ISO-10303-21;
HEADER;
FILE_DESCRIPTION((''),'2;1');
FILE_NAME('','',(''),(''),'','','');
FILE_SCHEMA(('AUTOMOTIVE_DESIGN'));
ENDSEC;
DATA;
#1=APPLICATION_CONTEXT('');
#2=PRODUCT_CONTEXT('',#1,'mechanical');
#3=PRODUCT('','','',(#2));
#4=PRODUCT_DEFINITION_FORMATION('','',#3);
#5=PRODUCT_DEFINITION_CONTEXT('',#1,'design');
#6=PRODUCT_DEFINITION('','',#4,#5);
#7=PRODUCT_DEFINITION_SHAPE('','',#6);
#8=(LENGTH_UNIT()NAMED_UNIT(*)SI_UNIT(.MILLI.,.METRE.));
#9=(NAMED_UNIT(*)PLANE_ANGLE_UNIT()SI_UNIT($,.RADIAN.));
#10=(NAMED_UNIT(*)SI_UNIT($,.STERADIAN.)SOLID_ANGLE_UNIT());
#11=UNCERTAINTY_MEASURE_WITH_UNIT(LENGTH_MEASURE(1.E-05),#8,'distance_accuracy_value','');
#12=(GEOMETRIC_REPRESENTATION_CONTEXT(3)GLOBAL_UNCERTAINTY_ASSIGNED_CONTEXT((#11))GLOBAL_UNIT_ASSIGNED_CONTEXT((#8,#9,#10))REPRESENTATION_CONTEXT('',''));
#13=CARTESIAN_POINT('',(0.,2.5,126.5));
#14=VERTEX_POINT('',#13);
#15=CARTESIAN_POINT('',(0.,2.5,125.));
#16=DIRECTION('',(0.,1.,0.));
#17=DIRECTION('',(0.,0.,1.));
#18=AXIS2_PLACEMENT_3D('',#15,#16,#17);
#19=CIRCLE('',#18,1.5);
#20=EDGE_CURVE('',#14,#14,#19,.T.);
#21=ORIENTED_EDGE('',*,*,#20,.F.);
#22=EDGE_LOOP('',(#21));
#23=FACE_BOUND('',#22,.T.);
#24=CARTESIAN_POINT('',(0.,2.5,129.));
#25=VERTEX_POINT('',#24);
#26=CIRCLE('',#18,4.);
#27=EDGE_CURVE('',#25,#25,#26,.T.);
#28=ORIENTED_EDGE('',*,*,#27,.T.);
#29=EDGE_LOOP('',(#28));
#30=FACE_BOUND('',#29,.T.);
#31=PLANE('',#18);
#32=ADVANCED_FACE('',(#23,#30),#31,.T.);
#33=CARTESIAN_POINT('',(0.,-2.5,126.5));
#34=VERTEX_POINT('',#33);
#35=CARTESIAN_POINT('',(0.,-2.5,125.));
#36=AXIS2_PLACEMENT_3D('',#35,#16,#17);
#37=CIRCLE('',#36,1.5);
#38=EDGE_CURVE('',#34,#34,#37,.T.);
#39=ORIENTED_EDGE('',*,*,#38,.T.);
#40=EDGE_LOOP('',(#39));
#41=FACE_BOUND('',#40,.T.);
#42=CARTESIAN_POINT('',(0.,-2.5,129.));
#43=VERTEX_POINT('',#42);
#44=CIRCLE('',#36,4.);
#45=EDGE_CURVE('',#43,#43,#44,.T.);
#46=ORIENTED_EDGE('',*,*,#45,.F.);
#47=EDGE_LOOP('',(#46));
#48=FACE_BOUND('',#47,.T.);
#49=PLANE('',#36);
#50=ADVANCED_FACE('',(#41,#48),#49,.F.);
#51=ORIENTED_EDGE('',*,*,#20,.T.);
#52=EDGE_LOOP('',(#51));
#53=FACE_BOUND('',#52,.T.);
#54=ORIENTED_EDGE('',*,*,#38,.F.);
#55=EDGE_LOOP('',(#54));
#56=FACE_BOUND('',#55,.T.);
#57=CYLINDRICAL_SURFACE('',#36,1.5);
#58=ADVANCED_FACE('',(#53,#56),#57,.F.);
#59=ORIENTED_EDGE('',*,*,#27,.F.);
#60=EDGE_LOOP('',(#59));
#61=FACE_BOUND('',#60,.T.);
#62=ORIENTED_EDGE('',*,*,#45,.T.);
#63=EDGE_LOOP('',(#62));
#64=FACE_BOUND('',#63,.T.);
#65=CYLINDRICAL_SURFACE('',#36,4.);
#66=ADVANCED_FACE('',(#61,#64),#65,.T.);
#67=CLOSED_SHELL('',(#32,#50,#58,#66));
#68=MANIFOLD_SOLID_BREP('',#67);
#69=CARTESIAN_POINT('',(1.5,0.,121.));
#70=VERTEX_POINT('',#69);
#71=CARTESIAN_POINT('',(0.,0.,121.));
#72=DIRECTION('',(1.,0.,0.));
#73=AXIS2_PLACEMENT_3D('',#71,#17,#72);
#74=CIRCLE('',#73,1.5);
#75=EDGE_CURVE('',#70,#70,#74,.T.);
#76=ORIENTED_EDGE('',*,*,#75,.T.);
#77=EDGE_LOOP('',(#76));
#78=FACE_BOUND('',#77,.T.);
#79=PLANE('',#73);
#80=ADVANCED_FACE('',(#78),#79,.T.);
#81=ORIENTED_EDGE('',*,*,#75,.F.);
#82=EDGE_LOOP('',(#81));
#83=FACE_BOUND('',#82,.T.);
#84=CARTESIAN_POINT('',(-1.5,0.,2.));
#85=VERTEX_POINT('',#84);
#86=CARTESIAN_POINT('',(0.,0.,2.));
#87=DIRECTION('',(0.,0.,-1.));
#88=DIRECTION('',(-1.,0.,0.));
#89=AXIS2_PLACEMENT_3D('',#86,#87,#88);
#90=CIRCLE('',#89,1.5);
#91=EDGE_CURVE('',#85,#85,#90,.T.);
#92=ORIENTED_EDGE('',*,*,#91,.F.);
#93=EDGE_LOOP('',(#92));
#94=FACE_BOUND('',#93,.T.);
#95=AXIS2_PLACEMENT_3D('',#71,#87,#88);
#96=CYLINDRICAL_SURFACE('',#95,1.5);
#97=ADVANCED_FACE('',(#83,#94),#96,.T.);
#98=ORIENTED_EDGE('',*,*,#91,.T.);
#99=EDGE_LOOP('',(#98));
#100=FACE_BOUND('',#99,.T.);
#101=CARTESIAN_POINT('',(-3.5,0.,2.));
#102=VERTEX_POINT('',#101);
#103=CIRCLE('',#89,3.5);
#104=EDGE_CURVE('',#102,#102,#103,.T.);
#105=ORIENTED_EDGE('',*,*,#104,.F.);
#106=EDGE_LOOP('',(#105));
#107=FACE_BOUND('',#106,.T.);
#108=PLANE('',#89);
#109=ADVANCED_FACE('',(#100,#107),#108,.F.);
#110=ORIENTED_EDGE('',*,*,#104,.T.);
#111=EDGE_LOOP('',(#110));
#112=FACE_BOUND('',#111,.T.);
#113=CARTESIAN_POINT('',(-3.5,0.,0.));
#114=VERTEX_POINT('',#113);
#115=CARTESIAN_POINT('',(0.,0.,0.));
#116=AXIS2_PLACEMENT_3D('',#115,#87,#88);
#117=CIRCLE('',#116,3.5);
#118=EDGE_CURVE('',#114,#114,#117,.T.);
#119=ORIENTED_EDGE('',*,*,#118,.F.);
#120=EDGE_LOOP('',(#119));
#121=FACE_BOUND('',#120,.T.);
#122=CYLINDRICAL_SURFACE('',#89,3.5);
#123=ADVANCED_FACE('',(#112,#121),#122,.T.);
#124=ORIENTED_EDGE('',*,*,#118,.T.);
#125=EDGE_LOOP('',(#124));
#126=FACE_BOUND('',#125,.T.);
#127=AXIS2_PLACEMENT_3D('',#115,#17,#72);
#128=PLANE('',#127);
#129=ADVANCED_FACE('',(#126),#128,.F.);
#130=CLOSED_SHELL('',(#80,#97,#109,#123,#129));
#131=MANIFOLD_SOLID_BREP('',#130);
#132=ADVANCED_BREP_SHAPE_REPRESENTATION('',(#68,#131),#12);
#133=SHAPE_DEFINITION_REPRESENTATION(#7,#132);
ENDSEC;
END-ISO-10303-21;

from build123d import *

# Parameters (mm, degrees)
SKETCH1_R                = 1.5
BOSS_EXTRUDE1_DEPTH      = 121
BOSS_EXTRUDE2_DEPTH      = 2.5
BOSS_EXTRUDE2_DEPTH_BACK = 2.5
SKETCH2_R                = 4
SKETCH2_R_2              = 1.5
SKETCH3_R                = 3.5
BOSS_EXTRUDE3_DEPTH      = 2


with BuildPart() as part:
    # Sketch1 → Boss-Extrude1 (new body)
    with BuildSketch(Plane.XY):
        Circle(SKETCH1_R)
    extrude(amount=BOSS_EXTRUDE1_DEPTH)

    # Sketch3 → Boss-Extrude3 (add)
    with BuildSketch(Plane(origin=(0, 0, 0), x_dir=(-1, 0, 0), z_dir=(0, 0, -1))):
        Circle(SKETCH3_R)
    extrude(amount=-BOSS_EXTRUDE3_DEPTH)


with BuildPart() as body_2:
    # Sketch2 → Boss-Extrude2 (new, two sides: drawn at the far end of the back side and taken through both)
    with BuildSketch(Plane(origin=(0, 0, 0), x_dir=(1, 0, 0), z_dir=(0, 1, 0)).offset(-BOSS_EXTRUDE2_DEPTH_BACK)):
        with Locations((0, -125)):
            Circle(SKETCH2_R)
        with Locations((0, -125)):
            Circle(SKETCH2_R_2, mode=Mode.SUBTRACT)
    extrude(amount=BOSS_EXTRUDE2_DEPTH + BOSS_EXTRUDE2_DEPTH_BACK)


solid = Compound([part.part, body_2.part])
